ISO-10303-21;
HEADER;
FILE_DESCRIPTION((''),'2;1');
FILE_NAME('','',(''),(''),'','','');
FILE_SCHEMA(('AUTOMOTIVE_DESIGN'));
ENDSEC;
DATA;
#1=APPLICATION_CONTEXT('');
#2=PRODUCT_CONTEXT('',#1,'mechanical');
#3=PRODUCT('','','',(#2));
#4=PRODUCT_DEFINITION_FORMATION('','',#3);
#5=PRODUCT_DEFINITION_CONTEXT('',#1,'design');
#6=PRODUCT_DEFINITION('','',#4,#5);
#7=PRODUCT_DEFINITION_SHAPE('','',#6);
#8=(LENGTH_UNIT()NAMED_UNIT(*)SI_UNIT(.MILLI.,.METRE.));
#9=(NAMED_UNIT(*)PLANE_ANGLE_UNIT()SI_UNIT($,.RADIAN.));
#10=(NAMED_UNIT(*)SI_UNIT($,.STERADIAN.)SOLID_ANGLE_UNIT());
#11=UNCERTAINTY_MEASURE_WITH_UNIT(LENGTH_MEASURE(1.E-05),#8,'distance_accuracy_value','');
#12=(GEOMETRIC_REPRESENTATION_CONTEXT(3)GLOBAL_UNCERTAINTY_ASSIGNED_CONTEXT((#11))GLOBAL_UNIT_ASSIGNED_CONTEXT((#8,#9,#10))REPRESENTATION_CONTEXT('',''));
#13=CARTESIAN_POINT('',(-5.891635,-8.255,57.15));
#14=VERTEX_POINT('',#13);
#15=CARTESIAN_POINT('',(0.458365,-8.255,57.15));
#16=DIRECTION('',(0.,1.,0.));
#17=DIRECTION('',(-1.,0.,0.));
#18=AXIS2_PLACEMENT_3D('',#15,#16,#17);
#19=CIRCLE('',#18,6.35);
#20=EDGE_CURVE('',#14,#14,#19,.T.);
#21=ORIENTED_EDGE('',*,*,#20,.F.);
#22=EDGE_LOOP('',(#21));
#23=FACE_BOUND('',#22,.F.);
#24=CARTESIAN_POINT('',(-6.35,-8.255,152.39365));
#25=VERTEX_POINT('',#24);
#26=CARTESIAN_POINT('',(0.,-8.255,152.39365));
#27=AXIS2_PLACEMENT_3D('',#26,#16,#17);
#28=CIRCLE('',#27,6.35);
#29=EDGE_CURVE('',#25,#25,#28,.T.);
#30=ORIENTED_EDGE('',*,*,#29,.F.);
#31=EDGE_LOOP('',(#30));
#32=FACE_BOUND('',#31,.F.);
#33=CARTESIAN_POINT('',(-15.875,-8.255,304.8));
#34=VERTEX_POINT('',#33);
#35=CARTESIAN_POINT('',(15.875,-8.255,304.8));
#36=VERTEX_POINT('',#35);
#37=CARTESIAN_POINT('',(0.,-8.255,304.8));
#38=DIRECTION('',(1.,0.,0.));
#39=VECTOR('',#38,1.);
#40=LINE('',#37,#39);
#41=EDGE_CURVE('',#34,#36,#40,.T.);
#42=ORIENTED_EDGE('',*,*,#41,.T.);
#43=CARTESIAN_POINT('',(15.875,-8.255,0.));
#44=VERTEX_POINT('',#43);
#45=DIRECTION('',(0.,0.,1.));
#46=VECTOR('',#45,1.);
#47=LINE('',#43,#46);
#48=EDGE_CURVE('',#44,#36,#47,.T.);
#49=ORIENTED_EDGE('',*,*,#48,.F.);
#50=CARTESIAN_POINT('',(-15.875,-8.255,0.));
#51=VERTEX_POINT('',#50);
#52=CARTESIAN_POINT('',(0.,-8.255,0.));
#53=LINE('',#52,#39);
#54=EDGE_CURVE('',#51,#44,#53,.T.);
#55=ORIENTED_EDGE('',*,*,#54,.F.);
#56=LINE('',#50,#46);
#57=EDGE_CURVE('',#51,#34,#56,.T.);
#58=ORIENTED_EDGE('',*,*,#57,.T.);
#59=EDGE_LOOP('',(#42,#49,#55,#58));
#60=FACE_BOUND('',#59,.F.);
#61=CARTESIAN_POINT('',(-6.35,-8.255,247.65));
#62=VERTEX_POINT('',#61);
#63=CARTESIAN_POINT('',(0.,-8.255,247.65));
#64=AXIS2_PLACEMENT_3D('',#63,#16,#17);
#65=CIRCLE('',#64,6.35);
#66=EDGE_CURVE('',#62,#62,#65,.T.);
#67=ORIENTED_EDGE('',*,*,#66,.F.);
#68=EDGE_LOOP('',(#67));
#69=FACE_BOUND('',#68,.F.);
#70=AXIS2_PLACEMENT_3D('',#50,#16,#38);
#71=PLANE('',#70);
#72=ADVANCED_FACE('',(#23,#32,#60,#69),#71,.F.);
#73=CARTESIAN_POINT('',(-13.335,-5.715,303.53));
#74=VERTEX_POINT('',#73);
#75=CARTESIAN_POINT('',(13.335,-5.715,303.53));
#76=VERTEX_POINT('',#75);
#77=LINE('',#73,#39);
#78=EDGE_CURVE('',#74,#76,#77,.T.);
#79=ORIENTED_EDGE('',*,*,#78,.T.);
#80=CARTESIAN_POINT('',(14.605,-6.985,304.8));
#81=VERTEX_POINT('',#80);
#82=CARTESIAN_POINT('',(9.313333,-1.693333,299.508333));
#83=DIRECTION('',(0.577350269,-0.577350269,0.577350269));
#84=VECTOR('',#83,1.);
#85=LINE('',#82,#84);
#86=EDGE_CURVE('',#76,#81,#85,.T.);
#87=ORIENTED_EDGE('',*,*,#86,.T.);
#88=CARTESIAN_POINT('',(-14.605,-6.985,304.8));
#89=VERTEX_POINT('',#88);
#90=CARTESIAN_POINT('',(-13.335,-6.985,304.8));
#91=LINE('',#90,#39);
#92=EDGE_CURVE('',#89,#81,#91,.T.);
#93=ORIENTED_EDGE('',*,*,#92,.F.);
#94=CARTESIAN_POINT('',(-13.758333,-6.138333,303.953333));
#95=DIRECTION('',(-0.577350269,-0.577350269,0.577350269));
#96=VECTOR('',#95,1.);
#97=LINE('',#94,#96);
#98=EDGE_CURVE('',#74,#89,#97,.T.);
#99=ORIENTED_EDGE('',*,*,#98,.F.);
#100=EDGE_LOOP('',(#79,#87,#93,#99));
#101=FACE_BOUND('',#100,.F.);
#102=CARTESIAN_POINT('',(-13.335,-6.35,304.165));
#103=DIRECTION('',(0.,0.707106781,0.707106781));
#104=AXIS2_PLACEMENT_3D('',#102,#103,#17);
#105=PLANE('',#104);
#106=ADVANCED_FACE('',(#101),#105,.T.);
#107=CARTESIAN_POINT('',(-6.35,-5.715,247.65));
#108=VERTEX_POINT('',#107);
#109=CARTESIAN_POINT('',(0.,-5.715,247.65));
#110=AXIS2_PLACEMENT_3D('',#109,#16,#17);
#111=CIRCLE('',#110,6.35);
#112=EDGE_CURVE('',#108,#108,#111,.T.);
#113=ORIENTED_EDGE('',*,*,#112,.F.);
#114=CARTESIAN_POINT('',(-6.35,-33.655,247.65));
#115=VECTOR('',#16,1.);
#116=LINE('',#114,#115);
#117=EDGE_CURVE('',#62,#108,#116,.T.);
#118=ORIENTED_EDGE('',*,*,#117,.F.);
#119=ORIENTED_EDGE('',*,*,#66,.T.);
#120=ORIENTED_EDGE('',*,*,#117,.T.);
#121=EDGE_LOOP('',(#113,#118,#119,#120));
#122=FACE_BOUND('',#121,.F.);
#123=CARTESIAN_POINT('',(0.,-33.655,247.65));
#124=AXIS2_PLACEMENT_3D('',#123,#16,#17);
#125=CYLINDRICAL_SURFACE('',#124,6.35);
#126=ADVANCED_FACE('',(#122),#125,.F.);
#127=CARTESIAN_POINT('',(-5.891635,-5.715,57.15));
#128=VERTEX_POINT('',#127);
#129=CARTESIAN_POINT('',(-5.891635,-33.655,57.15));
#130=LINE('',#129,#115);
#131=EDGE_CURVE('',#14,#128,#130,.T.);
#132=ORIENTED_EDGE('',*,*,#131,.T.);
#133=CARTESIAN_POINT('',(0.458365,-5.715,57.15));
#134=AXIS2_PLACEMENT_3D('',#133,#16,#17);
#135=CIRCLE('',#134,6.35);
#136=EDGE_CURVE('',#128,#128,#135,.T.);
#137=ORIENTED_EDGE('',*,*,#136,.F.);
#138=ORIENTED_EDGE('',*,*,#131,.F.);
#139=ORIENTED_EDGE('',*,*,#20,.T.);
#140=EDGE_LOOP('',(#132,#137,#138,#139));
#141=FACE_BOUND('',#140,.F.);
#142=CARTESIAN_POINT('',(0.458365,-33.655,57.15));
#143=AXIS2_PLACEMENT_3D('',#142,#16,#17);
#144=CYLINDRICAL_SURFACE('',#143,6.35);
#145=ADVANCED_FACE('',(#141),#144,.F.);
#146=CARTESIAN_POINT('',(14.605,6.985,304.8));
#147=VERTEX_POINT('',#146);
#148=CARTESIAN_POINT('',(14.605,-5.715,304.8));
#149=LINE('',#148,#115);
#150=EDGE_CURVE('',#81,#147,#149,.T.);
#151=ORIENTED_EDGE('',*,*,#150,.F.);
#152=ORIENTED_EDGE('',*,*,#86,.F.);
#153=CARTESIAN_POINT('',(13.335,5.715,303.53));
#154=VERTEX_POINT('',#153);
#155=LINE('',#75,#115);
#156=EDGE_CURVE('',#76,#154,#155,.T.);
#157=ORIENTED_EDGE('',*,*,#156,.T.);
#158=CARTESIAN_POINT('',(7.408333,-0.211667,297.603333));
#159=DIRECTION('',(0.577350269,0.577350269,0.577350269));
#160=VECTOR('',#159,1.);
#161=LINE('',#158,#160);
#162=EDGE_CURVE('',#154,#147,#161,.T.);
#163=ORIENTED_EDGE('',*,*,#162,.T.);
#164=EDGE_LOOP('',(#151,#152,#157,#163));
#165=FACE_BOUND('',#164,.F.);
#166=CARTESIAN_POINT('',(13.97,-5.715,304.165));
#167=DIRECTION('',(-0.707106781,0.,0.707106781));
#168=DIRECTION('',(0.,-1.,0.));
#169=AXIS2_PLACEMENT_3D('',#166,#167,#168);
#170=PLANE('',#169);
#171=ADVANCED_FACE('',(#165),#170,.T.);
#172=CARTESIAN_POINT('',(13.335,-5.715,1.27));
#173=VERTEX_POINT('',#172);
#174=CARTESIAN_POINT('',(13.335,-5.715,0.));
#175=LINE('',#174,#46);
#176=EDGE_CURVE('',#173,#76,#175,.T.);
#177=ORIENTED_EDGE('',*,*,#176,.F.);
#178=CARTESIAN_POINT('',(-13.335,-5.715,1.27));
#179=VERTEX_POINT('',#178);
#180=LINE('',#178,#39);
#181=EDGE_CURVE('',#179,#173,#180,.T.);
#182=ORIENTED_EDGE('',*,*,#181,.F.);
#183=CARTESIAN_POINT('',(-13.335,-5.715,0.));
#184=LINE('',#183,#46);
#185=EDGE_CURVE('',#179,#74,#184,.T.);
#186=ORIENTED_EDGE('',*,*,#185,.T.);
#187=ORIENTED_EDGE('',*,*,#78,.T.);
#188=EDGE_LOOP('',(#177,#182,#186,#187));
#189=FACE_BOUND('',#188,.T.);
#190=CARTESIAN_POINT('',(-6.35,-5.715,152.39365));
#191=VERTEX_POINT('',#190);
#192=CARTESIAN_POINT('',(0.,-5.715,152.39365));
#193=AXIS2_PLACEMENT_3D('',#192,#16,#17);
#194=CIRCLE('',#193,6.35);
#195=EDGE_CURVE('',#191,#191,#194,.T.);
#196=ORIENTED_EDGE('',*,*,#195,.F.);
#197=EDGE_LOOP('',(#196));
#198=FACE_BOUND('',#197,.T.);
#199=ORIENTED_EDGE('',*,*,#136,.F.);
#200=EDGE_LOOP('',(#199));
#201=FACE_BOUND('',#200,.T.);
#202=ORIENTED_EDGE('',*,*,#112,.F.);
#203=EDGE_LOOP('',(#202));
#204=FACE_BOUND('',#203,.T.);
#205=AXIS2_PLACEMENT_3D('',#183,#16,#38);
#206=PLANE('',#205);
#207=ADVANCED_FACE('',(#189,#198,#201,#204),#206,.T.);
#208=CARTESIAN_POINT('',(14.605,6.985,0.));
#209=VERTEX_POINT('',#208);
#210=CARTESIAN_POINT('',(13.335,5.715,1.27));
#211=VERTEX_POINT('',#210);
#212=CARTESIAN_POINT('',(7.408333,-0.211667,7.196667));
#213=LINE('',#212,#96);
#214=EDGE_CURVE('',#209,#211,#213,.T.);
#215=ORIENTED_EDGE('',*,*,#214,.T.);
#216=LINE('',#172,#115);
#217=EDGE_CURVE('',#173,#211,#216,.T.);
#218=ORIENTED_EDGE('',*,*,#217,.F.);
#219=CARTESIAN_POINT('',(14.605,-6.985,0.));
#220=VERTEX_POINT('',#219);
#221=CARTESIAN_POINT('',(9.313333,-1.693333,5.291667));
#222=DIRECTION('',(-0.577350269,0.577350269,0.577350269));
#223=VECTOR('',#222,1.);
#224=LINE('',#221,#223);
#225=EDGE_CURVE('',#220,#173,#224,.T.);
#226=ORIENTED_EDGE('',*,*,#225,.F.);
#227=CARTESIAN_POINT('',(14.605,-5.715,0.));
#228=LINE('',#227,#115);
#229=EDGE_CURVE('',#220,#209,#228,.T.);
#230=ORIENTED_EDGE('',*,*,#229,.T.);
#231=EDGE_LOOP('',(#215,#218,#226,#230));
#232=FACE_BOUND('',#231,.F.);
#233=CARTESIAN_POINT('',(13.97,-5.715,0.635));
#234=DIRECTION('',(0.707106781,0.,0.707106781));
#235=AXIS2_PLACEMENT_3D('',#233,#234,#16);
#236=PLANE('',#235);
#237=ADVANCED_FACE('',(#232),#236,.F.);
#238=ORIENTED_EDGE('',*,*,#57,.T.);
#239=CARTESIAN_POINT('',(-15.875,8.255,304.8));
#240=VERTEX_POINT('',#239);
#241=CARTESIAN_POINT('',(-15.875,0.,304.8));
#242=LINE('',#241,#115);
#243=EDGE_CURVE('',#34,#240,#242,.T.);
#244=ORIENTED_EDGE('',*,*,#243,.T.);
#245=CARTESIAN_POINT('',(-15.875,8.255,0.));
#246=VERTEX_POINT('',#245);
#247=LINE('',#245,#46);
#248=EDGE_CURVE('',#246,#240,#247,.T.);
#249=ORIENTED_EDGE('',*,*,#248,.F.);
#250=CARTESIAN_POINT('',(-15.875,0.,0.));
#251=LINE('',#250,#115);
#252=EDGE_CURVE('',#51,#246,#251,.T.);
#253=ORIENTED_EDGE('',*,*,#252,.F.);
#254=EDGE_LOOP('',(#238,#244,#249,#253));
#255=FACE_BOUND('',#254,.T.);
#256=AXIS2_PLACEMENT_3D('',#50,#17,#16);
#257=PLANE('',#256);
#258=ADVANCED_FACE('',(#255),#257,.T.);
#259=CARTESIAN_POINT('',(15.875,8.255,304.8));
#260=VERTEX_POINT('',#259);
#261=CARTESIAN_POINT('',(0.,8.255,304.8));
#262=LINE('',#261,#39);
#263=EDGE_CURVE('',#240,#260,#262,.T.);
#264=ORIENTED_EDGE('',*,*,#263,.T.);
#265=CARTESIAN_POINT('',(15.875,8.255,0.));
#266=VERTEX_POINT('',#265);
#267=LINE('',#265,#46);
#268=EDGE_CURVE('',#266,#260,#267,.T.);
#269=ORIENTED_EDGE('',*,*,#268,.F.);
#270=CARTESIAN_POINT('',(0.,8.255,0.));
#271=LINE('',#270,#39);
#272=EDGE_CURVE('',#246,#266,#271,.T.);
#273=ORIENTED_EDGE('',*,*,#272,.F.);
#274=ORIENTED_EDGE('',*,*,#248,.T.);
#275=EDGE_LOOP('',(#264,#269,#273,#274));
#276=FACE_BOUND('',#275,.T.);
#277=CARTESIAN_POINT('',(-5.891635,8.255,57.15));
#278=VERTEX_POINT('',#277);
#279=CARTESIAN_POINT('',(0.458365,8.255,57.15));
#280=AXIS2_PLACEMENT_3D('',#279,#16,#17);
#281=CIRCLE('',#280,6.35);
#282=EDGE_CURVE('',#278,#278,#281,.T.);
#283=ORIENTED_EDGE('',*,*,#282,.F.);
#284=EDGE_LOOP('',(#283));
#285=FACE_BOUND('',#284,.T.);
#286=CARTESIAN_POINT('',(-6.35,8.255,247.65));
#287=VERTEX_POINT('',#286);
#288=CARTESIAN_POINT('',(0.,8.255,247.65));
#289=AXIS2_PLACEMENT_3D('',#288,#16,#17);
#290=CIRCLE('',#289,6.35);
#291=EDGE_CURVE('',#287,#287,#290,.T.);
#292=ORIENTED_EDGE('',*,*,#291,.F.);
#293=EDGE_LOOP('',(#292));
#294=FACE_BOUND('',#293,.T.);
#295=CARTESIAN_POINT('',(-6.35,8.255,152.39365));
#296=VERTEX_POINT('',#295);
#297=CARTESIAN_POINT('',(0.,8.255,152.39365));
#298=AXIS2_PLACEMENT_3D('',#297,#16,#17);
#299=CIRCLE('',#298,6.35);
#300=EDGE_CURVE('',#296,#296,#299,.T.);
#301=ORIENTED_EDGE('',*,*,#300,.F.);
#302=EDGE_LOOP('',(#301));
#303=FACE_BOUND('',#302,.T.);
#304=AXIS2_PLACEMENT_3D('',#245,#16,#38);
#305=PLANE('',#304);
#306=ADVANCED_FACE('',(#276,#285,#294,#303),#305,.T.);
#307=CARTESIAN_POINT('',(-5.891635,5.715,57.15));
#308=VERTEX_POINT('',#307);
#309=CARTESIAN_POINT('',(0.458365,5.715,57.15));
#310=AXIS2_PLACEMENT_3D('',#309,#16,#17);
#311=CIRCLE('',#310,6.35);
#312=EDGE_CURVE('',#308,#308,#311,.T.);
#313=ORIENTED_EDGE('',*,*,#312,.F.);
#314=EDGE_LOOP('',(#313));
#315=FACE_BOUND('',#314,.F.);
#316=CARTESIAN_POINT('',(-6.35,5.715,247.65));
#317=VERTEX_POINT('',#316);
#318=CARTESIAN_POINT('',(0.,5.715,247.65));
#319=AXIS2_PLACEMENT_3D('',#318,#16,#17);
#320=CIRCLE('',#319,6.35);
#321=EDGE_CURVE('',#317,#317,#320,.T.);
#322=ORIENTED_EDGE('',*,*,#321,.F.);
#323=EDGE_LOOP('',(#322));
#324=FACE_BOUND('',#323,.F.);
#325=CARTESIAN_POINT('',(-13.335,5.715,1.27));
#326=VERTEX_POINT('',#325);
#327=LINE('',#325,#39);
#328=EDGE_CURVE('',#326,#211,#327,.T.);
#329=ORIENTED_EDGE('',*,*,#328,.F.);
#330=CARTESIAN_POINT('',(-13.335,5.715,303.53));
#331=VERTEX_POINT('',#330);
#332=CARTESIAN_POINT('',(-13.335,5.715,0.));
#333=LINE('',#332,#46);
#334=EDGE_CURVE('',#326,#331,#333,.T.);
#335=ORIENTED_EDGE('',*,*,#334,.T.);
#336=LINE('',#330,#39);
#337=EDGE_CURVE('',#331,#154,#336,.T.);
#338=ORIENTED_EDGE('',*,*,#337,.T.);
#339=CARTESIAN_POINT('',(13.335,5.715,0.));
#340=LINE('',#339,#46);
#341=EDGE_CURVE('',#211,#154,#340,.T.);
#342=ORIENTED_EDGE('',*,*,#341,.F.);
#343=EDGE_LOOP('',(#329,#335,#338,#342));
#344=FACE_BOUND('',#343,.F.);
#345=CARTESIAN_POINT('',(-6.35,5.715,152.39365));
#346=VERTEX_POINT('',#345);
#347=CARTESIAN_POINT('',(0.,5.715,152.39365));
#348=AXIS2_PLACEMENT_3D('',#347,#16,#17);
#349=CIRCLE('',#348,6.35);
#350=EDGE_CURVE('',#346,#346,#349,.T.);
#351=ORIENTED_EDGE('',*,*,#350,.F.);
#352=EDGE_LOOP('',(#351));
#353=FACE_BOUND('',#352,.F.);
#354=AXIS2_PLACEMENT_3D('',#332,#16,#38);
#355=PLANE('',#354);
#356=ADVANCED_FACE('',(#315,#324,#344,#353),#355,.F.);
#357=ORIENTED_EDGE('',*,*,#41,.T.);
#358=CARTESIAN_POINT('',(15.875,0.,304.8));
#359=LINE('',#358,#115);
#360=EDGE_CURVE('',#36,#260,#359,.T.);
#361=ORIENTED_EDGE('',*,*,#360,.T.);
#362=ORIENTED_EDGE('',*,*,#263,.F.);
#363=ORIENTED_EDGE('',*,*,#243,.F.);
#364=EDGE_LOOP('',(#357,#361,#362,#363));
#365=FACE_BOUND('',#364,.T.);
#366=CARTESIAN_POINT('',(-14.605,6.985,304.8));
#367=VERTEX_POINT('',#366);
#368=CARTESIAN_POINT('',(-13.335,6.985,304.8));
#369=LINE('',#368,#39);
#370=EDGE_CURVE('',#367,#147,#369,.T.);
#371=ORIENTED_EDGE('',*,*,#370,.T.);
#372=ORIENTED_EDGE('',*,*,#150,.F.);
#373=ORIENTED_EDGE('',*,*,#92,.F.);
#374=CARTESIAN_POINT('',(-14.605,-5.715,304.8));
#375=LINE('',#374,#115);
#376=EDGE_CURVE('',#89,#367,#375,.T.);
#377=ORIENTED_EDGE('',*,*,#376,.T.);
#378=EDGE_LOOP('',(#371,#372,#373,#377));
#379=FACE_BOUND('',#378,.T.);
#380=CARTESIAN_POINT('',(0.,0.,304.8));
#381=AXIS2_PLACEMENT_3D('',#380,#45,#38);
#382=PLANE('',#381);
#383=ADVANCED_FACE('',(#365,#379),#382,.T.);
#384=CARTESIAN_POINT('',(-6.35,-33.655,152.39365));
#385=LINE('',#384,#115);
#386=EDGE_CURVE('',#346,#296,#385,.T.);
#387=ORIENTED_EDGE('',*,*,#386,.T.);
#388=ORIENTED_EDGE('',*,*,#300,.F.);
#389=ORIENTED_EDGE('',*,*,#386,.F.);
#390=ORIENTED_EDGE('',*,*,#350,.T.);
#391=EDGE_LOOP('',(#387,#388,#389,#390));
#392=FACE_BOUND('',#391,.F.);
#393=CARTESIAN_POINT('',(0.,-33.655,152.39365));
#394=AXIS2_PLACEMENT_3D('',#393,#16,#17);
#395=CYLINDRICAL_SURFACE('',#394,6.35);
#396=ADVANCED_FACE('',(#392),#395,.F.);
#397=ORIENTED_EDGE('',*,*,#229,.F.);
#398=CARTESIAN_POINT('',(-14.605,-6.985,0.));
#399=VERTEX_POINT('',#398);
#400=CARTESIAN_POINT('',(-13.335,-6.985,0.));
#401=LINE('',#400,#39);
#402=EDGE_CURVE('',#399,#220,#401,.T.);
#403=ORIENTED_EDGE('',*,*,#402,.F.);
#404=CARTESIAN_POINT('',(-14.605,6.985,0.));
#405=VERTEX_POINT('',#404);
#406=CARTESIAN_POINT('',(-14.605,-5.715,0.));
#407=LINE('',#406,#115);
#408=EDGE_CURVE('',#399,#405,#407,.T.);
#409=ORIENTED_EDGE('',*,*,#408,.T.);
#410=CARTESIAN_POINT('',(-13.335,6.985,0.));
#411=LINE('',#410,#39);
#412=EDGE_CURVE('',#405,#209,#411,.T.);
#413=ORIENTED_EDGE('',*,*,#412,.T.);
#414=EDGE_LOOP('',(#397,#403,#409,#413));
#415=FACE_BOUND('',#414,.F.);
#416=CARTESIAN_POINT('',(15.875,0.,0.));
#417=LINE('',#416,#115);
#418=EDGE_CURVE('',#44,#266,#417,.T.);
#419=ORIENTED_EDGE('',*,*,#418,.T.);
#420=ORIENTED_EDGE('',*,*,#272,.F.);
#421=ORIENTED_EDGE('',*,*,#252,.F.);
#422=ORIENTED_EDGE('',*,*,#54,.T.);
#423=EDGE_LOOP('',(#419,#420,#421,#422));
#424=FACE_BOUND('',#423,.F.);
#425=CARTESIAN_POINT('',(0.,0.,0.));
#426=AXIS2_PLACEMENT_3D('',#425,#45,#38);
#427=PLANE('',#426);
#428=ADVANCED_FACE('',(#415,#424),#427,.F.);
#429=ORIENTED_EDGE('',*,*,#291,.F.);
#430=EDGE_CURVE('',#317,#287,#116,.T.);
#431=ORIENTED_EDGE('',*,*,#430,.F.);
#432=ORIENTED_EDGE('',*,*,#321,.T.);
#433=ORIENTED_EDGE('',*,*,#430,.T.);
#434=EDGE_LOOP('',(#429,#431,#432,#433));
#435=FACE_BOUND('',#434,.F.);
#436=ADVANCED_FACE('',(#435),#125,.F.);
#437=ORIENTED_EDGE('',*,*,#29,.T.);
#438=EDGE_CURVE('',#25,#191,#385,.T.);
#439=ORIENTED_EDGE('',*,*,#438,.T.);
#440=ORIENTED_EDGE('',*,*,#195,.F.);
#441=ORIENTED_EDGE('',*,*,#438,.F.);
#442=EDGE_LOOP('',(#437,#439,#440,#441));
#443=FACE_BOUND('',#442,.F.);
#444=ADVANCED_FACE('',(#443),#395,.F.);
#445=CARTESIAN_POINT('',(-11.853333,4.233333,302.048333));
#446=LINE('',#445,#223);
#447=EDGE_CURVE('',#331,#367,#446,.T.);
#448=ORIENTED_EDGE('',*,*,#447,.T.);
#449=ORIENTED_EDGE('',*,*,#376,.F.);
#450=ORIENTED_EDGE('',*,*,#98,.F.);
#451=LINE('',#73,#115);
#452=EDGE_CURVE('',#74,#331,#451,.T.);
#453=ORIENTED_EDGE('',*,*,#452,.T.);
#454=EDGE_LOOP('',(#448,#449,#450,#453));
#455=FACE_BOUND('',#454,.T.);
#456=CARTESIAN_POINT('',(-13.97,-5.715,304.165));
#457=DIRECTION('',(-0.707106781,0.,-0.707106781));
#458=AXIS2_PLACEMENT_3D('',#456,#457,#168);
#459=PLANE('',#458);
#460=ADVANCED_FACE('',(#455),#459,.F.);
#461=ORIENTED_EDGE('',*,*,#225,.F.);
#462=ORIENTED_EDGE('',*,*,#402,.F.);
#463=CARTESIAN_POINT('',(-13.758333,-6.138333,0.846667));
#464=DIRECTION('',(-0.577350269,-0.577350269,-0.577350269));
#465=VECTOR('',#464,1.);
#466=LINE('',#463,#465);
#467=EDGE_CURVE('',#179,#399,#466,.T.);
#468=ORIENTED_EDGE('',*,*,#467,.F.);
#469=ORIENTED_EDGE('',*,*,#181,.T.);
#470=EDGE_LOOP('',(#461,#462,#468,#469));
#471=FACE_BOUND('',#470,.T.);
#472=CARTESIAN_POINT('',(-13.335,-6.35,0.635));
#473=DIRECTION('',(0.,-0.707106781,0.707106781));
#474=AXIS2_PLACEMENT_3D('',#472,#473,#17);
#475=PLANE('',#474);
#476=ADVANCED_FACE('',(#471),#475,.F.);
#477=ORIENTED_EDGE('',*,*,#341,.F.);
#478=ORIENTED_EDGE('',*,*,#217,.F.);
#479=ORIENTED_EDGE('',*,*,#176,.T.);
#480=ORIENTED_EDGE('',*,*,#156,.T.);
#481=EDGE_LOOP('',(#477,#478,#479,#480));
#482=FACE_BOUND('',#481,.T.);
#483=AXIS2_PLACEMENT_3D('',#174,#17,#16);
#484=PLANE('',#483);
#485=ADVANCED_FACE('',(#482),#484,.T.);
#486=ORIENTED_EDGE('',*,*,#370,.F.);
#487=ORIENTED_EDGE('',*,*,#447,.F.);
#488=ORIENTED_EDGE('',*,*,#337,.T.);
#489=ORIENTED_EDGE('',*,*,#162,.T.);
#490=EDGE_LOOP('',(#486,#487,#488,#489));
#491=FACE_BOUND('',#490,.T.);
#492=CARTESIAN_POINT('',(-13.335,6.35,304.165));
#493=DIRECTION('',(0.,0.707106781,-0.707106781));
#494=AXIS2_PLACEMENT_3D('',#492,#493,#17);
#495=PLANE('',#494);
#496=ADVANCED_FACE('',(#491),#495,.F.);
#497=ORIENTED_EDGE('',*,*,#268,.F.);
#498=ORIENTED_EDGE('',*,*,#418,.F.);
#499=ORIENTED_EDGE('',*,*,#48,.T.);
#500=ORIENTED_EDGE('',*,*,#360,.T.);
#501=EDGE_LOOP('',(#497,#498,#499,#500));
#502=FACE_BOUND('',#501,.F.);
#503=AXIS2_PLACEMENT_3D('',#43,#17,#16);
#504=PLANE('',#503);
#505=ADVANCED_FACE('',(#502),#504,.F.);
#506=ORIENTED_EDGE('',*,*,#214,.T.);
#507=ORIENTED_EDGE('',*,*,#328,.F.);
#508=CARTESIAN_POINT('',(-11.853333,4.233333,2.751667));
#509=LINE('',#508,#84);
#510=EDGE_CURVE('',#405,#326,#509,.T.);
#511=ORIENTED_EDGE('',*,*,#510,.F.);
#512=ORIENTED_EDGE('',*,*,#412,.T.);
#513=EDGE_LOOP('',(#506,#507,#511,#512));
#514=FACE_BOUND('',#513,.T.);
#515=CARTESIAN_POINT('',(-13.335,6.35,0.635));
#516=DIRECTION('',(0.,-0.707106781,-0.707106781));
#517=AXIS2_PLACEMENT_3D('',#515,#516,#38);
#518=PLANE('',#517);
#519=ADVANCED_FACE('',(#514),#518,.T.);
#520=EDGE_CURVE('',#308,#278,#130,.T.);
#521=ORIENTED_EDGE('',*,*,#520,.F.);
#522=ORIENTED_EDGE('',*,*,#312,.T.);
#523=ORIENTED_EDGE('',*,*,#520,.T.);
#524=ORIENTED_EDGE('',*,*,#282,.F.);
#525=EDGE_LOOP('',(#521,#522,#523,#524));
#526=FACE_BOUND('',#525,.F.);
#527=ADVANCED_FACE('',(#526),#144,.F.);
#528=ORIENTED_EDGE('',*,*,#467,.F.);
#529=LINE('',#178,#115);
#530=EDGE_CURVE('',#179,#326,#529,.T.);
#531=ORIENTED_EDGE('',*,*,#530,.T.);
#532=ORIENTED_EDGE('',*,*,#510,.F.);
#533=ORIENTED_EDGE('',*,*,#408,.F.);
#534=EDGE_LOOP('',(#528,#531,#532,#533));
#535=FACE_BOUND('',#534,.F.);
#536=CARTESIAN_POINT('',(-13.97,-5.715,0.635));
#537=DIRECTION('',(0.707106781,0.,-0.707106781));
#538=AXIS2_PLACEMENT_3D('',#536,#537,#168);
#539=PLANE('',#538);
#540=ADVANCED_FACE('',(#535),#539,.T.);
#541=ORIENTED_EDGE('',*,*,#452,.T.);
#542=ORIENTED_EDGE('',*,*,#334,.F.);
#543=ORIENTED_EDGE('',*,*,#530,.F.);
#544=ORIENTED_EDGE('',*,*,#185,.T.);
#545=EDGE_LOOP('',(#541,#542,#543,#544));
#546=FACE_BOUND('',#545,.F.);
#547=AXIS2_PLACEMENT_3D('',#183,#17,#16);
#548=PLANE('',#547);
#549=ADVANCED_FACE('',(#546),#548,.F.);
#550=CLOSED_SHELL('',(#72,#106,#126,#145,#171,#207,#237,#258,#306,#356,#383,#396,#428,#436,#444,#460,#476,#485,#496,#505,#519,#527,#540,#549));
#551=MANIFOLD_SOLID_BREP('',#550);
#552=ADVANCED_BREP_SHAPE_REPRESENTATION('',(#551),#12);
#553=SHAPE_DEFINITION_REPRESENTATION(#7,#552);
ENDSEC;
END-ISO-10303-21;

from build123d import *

# Parameters (mm, degrees)
F0_W     = 31.75
F0_H     = 16.51
F0_W_2   = 26.67
F0_H_2   = 11.43
F1_DEPTH = 304.8
F2_SIZE  = 1.27
F3_SIZE  = 1.27
F5_D     = 12.7
F5_DEPTH = 25.4


with BuildPart() as f1:
    # F0 (on Top) → F1 (new body)
    with BuildSketch(Plane.XY):
        Rectangle(F0_W, F0_H)
        Rectangle(F0_W_2, F0_H_2, mode=Mode.SUBTRACT)
    extrude(amount=F1_DEPTH)

    # F2
    f2_edges = [f1.edges().sort_by_distance(p)[0] for p in [
        (0, 5.715, 304.8),
        (-13.335, 0, 304.8),
        (0, -5.715, 304.8),
        (13.335, 0, 304.8),
    ]]
    chamfer(f2_edges, length=F2_SIZE)

    # F3
    f3_edges = [f1.edges().sort_by_distance(p)[0] for p in [
        (13.335, 0, 0),
        (0, 5.715, 0),
        (-13.335, 0, 0),
        (0, -5.715, 0),
    ]]
    chamfer(f3_edges, length=F3_SIZE)

    # F5
    with Locations(Plane.XZ.offset(8.255)):
        with Locations((0, 152.39365), (0, 247.65), (0.458365, 57.15)):
            Hole(F5_D / 2, depth=F5_DEPTH)


solid = f1.part
